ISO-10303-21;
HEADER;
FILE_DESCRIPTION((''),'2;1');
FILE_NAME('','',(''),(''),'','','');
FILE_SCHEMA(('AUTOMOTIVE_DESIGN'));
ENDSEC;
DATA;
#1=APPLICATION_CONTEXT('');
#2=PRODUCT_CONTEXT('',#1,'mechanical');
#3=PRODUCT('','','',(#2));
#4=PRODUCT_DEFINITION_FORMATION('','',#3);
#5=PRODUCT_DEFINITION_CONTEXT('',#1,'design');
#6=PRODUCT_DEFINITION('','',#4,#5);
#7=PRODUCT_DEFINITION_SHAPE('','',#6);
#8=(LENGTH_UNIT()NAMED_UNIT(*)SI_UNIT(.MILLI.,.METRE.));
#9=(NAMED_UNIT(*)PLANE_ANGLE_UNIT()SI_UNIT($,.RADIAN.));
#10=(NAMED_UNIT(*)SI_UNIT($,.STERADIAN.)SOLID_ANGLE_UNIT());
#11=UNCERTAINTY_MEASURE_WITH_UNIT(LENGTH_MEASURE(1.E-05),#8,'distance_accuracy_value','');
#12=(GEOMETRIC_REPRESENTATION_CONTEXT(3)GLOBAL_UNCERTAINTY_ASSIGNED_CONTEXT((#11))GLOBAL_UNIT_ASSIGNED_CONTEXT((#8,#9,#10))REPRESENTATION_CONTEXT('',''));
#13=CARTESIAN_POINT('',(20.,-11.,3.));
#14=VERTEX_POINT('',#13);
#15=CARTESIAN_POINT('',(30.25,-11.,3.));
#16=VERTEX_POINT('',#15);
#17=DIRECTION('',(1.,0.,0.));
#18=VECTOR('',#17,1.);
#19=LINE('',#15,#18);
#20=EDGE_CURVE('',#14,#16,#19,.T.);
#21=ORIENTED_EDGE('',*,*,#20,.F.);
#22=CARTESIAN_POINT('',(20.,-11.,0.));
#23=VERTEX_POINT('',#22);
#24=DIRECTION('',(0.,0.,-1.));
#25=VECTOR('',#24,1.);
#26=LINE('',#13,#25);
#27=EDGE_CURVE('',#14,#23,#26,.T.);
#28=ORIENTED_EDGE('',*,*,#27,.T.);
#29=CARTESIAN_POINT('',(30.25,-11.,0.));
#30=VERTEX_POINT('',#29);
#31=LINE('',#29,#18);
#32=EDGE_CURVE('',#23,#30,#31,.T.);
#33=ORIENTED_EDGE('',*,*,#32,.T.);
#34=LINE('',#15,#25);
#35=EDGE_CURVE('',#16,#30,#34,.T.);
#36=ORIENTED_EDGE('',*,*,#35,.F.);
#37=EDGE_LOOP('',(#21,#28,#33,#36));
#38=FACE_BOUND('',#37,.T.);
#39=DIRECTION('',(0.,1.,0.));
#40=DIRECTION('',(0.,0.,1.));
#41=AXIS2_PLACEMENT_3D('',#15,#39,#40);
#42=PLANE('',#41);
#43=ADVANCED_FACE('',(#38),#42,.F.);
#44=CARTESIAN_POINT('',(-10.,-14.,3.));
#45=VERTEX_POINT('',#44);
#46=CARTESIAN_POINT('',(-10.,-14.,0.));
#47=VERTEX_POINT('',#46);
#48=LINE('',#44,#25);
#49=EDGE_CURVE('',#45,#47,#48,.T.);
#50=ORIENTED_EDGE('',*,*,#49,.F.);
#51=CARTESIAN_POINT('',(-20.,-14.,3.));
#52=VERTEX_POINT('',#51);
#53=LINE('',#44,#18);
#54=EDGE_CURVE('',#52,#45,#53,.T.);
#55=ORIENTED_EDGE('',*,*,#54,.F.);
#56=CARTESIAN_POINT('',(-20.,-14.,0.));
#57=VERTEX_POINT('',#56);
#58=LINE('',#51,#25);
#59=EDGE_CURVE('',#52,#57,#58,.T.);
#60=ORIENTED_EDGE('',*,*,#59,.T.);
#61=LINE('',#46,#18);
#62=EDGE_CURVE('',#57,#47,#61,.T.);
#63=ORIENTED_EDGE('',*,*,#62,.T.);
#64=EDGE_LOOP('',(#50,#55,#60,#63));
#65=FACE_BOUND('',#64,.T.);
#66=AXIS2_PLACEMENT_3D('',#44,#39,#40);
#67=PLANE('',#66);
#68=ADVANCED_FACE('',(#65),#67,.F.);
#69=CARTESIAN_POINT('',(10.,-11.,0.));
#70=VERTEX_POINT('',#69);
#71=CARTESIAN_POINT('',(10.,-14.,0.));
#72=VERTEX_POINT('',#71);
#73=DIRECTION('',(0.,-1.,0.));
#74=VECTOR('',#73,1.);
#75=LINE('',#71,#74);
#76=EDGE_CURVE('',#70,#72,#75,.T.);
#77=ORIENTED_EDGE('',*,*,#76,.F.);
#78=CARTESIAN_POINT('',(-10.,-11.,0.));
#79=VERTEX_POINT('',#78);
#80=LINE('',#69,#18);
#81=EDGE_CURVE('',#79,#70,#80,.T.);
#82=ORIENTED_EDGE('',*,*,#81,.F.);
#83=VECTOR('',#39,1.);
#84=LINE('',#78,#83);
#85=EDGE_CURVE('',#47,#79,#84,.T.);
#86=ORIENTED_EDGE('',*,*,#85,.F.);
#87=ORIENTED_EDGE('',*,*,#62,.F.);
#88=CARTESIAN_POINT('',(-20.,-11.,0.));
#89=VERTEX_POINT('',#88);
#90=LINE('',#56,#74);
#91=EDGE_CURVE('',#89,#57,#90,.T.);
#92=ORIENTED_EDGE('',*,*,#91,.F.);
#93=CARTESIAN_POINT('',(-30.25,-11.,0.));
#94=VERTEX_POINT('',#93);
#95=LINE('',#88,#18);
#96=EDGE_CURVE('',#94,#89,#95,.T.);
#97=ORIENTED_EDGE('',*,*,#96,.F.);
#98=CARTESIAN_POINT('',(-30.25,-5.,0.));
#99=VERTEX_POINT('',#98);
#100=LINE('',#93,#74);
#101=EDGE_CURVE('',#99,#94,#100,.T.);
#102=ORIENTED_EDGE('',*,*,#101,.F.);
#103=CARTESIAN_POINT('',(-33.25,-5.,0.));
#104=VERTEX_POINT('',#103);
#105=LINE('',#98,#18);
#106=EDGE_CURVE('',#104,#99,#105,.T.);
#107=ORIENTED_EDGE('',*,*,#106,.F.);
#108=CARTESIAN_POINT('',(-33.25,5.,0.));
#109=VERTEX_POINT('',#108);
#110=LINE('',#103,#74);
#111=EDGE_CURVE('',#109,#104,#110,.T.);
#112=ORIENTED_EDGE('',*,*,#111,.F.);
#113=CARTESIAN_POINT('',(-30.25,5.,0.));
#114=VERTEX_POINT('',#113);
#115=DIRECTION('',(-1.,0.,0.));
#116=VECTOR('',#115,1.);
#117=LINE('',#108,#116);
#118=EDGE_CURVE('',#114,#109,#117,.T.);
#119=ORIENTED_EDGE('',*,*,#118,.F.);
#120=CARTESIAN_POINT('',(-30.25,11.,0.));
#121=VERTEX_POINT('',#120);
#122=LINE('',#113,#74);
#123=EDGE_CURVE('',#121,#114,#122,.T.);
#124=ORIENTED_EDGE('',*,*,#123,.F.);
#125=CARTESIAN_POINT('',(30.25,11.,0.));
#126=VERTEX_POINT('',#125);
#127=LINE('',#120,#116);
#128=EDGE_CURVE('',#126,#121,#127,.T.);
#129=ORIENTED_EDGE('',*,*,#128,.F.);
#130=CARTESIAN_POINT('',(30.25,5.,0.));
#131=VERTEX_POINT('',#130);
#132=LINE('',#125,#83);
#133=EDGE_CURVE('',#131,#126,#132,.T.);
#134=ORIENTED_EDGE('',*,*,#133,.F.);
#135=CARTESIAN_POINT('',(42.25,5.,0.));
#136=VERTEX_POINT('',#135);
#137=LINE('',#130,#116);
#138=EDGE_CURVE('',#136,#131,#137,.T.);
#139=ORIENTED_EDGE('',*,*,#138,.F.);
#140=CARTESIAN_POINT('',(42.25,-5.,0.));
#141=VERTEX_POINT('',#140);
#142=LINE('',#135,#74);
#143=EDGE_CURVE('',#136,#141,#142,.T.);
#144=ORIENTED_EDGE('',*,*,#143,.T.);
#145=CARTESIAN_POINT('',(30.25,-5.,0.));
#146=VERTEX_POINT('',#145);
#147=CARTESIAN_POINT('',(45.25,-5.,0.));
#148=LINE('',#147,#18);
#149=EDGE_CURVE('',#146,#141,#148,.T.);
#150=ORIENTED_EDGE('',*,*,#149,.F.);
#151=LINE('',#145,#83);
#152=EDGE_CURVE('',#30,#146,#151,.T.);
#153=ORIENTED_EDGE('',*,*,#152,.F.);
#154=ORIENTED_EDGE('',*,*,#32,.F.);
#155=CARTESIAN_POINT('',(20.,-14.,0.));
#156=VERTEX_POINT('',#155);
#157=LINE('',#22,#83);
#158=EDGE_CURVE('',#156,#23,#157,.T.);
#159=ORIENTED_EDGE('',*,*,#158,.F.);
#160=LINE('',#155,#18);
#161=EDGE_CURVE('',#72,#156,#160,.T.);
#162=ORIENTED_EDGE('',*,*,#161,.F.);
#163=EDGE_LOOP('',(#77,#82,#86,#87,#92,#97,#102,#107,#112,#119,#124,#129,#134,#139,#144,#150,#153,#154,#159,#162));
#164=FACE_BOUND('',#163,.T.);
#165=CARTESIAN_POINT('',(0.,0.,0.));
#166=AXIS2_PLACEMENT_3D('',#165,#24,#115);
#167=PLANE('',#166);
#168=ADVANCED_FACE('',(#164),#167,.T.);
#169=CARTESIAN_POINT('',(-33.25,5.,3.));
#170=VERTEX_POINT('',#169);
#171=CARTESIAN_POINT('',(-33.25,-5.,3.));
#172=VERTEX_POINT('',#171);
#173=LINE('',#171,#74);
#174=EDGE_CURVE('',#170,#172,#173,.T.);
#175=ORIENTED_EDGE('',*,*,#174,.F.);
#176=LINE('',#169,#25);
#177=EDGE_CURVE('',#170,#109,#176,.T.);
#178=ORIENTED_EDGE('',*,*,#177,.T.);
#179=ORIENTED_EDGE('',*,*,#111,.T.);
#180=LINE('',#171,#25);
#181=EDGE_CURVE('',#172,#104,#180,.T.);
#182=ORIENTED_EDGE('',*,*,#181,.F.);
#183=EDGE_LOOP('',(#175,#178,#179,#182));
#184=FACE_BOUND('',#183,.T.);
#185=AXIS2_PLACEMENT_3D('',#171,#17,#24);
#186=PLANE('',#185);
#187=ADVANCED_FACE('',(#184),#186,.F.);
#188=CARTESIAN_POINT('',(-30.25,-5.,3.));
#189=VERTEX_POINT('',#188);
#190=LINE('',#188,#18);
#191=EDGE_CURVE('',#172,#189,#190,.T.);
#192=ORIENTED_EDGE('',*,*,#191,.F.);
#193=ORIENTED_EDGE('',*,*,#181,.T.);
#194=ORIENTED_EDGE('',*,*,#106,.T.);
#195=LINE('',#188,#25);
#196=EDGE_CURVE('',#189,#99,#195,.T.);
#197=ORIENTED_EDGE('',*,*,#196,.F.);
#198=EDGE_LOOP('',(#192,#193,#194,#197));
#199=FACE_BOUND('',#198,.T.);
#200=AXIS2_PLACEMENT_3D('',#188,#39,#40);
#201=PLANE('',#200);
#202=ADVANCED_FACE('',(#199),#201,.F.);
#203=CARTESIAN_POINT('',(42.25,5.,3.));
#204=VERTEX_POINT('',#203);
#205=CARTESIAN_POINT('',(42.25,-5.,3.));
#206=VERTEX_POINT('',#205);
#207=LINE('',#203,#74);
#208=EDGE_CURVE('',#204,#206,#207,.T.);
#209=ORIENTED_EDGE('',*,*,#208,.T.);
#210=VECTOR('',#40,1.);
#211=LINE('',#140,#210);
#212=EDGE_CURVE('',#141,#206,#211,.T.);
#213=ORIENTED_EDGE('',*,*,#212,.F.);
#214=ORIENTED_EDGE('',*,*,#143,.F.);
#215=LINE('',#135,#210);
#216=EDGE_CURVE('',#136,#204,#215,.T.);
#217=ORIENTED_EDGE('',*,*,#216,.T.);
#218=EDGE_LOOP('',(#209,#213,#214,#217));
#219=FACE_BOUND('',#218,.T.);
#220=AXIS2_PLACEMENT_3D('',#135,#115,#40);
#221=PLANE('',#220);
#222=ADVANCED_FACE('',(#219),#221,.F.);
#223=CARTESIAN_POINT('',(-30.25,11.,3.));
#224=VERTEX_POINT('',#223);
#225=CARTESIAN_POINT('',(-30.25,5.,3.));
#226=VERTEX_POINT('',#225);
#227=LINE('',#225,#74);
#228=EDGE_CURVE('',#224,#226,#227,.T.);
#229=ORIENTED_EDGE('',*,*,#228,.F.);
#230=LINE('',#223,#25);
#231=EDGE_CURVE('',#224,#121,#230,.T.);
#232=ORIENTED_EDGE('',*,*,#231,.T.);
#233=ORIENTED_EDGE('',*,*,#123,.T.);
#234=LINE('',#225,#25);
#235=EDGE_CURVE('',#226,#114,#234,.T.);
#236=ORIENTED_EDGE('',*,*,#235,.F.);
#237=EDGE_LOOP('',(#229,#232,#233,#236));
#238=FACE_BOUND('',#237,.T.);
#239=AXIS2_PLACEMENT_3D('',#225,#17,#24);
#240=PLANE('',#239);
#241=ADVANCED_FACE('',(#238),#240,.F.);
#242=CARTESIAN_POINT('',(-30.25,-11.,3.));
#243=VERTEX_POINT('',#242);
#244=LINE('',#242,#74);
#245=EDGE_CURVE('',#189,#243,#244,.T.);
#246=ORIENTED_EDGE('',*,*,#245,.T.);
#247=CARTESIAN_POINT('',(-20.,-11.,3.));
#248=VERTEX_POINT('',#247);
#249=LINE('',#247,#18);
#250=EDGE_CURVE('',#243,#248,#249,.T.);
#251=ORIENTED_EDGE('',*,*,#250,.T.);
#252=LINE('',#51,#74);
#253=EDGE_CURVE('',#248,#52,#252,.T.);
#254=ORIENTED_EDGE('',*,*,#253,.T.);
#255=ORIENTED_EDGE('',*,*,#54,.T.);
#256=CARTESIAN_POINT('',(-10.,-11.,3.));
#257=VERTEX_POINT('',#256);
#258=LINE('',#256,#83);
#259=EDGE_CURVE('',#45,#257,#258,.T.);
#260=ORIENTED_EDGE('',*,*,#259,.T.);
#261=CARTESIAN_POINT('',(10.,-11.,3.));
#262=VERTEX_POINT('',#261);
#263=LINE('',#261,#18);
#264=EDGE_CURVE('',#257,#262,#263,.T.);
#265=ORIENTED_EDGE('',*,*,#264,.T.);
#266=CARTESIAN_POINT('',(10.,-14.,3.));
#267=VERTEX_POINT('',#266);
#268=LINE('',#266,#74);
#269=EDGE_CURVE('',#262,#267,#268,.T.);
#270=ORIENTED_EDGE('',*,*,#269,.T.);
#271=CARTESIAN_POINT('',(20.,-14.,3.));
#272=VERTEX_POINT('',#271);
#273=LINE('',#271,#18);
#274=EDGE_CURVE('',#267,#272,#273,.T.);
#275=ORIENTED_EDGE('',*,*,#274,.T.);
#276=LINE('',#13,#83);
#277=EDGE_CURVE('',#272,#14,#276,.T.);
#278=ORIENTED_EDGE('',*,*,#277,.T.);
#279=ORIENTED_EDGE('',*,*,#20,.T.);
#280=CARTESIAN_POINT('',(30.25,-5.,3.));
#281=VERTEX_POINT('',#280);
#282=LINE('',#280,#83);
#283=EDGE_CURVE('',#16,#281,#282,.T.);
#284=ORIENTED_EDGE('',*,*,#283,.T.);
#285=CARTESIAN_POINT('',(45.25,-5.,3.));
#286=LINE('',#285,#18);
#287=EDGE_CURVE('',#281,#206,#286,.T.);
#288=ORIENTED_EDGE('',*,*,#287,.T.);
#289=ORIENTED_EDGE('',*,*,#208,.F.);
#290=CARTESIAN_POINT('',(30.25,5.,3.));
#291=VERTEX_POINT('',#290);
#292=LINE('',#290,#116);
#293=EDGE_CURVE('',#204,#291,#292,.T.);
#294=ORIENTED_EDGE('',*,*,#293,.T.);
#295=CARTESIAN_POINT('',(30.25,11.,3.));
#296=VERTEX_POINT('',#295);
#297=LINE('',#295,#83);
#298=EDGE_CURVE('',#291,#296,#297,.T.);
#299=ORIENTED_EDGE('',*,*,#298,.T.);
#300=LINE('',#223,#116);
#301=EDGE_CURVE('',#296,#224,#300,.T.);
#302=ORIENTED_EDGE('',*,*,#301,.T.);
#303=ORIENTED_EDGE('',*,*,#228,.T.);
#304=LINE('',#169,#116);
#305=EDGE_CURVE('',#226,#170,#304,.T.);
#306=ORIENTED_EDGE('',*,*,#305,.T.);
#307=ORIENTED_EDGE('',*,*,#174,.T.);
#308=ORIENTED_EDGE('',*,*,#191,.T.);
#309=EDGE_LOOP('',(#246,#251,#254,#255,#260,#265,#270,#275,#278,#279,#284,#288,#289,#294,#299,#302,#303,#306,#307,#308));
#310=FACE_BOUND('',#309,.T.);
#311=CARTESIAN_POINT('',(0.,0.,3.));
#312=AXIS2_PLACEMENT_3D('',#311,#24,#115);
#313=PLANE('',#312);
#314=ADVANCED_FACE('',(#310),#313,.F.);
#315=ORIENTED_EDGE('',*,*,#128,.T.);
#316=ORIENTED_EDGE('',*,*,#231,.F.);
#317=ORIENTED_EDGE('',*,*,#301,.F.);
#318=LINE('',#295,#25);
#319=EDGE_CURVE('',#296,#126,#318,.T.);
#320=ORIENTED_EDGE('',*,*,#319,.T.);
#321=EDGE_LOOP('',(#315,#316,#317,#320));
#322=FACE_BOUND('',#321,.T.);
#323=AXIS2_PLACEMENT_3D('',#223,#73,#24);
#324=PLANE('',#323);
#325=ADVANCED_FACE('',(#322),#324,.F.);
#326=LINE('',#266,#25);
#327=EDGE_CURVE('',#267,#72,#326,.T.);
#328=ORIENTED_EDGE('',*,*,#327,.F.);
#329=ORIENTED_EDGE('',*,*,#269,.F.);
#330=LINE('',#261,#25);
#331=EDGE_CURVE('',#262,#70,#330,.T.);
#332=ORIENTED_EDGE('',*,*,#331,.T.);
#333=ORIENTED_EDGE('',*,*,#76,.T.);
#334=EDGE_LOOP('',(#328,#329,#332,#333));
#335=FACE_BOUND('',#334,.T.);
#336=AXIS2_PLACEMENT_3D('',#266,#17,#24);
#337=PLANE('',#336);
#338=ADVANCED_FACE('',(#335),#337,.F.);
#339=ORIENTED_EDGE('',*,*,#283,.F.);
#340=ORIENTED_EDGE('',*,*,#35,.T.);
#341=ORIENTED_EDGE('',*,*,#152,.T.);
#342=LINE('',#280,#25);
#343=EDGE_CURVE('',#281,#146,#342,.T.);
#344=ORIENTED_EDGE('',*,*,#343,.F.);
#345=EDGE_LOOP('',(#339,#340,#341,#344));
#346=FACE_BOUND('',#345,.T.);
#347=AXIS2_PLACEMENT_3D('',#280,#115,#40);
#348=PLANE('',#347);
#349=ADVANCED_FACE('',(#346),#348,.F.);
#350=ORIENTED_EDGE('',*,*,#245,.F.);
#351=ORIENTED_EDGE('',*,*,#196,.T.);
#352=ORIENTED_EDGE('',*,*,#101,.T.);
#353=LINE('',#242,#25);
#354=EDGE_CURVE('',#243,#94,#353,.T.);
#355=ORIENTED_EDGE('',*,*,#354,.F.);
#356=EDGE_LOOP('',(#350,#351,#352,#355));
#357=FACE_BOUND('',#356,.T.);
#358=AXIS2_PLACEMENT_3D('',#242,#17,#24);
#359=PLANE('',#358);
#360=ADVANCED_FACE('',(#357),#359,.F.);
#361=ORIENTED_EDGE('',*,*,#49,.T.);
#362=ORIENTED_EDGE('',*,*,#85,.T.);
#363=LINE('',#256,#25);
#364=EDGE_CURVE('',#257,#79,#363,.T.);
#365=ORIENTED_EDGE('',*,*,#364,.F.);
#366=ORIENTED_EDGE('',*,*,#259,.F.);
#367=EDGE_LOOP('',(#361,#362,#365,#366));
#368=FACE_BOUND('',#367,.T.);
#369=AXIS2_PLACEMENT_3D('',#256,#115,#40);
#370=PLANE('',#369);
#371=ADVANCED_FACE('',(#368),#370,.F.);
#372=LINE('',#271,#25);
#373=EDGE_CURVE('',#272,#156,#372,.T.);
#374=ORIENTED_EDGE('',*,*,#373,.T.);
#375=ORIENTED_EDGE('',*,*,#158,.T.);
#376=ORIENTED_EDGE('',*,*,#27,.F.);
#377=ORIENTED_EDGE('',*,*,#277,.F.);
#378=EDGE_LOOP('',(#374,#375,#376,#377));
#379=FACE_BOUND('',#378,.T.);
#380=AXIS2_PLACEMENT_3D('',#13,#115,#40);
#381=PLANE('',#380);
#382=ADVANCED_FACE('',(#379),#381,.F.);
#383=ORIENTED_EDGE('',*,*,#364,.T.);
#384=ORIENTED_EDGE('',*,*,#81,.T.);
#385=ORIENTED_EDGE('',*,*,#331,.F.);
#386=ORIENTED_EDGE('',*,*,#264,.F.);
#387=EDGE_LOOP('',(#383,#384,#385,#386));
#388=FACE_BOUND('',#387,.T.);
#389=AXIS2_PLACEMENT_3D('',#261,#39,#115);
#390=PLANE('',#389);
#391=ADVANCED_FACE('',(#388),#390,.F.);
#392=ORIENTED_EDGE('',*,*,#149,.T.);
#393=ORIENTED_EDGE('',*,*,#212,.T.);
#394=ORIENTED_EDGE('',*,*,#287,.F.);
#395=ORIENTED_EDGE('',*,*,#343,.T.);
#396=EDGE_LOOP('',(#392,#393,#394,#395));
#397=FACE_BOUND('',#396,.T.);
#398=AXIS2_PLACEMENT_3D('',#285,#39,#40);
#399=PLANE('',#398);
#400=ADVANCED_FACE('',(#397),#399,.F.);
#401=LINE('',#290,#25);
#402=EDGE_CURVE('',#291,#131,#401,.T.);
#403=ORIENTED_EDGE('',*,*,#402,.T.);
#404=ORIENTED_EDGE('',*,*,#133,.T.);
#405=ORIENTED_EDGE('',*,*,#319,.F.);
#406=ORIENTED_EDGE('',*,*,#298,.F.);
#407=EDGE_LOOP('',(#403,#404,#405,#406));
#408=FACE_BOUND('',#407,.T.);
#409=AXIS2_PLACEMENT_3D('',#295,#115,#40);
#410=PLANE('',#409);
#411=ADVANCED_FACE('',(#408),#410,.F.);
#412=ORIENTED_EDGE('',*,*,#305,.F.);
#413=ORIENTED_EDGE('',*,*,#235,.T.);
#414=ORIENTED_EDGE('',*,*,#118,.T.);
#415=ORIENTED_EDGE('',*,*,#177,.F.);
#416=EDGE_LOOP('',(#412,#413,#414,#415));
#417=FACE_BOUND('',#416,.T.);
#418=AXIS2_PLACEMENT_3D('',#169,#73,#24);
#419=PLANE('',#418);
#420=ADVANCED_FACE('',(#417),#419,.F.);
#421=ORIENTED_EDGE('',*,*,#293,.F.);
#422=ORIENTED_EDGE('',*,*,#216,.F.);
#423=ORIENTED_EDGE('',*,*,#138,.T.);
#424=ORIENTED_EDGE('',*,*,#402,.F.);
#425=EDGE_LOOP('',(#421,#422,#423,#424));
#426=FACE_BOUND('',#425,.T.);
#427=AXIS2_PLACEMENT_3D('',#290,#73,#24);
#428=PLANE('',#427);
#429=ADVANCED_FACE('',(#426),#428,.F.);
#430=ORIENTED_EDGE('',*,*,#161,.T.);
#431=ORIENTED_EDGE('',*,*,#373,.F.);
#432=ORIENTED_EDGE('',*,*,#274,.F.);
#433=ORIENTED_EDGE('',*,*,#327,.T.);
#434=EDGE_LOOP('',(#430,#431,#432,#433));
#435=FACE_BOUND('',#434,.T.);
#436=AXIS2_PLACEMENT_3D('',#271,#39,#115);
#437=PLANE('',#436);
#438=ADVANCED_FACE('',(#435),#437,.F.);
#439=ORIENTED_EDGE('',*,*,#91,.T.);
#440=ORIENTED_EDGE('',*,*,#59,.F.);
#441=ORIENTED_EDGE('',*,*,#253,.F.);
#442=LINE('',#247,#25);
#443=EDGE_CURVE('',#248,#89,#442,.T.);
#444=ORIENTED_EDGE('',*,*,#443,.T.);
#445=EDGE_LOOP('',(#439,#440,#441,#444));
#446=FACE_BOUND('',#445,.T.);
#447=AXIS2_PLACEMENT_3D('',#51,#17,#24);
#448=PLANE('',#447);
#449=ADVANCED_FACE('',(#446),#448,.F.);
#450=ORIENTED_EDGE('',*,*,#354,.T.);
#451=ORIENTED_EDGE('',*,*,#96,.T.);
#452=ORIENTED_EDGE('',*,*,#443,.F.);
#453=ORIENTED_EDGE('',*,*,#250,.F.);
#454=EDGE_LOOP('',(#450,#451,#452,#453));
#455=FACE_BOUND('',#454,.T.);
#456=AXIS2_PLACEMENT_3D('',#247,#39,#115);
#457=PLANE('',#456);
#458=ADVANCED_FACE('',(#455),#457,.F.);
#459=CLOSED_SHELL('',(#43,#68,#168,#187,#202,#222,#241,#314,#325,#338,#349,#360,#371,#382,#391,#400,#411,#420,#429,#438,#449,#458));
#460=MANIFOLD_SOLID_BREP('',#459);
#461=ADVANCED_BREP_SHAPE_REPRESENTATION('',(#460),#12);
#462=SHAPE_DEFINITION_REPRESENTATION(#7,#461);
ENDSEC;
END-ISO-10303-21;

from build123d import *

# Parameters (mm, degrees)
BOSS_EXTRUDE1_DEPTH = 3
SKETCH2_W           = 3
SKETCH2_H           = 10
CUT_EXTRUDE1_DEPTH  = 48.461168338


with BuildPart() as part:
    # Sketch1 → Boss-Extrude1 (new body)
    with BuildSketch(Plane.XY):
        Polygon((-30.25, 11), (30.25, 11), (30.25, 5), (45.25, 5), (45.25, -5), (30.25, -5), (30.25, -11), (20, -11), (20, -14), (10, -14), (10, -11), (-10, -11), (-10, -14), (-20, -14), (-20, -11), (-30.25, -11), (-30.25, -5), (-33.25, -5), (-33.25, 5), (-30.25, 5), align=None)
    extrude(amount=BOSS_EXTRUDE1_DEPTH)

    # Sketch2 → Cut-Extrude1 (cut, through all)
    with BuildSketch(Plane.XY.offset(3)):
        with Locations((43.75, 0)):
            Rectangle(SKETCH2_W, SKETCH2_H)
    extrude(amount=-CUT_EXTRUDE1_DEPTH, mode=Mode.SUBTRACT)


solid = part.part
